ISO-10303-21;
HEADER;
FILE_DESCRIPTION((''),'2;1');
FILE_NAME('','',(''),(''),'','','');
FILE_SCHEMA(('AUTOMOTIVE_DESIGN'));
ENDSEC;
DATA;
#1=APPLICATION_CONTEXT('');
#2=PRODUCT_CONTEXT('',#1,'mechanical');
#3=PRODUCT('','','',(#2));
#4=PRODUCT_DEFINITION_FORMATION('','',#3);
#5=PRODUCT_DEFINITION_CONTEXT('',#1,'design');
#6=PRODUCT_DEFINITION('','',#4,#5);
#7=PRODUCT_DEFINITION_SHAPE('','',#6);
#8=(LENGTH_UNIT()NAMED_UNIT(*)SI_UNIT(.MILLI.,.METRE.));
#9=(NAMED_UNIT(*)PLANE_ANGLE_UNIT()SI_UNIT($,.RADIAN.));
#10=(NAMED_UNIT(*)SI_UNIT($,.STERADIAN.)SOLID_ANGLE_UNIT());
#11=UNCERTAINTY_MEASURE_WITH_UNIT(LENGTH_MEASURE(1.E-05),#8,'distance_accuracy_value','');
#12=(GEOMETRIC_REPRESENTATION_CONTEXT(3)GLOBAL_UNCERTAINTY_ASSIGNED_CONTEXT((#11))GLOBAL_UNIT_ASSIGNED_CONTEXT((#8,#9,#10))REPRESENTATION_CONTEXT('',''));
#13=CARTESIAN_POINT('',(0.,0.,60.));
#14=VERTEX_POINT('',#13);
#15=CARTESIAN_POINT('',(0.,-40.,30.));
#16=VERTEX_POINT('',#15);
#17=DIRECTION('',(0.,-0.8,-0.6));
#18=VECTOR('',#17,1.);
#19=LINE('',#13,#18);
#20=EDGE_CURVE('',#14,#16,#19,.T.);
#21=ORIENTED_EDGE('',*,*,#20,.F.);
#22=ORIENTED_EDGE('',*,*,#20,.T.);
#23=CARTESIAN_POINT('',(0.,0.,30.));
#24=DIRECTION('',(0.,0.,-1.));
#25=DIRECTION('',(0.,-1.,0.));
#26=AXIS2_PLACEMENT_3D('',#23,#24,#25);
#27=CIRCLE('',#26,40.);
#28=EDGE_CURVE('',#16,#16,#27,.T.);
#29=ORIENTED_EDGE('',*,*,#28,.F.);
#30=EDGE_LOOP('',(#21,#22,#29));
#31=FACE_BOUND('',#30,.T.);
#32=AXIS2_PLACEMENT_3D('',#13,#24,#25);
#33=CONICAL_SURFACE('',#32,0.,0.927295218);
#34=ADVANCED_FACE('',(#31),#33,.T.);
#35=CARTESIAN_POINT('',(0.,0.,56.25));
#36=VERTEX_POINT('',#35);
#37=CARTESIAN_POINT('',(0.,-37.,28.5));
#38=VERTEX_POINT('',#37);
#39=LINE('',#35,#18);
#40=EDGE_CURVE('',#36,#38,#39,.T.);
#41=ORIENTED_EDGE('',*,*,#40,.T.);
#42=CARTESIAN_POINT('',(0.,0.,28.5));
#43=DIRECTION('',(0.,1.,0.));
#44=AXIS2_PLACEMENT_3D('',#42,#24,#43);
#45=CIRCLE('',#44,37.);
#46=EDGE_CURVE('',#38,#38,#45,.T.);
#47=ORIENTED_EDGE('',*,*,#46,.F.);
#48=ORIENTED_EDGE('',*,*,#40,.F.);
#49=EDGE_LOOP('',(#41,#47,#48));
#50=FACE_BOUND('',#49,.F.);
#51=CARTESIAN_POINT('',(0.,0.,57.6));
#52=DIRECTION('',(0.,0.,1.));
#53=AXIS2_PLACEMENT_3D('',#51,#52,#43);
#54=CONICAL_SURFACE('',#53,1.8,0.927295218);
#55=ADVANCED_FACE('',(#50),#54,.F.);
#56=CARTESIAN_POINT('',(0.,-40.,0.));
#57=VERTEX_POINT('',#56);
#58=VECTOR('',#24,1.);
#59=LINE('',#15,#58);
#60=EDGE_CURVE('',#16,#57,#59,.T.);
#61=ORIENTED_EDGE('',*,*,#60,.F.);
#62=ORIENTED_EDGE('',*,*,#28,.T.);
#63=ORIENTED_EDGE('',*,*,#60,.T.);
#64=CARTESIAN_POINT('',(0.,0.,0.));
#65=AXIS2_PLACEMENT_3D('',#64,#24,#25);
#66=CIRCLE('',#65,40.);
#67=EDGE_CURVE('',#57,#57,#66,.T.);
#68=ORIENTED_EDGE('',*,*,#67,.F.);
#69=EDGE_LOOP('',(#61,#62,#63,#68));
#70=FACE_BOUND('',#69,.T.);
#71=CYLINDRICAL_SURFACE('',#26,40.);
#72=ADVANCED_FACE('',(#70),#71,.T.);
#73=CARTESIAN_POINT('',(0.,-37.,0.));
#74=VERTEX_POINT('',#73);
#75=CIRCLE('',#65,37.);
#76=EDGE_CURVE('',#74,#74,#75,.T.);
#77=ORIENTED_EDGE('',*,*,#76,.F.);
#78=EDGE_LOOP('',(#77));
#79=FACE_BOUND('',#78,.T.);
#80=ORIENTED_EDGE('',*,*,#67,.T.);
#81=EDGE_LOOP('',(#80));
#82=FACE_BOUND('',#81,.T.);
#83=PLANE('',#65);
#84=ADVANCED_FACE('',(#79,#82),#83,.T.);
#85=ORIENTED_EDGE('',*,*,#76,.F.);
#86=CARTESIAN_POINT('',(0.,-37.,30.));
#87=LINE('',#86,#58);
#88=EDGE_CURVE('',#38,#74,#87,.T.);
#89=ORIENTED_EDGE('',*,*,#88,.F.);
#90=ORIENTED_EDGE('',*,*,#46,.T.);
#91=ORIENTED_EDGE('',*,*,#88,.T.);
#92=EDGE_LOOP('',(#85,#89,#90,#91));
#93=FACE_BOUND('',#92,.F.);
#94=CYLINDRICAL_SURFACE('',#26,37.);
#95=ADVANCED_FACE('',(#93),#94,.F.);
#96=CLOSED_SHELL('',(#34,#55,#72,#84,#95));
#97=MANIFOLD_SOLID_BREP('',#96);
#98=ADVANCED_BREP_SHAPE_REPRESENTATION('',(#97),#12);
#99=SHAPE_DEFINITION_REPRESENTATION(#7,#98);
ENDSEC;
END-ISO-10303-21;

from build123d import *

# Parameters (mm, degrees)
F2_T = -3


with BuildPart() as f1:
    # F0 (on Right) → F1 (revolve)
    with BuildSketch(Plane.YZ):
        Polygon((-40, 0), (0, 0), (0, 60), (-40, 30), align=None)
    revolve(axis=Axis((0, 0, 30), (0, 0, -1)))

    # F2
    f2_openings = [f1.faces().sort_by_distance(p)[0] for p in [
        (0, 0, 0),
    ]]
    offset(amount=F2_T, openings=f2_openings)


solid = f1.part
